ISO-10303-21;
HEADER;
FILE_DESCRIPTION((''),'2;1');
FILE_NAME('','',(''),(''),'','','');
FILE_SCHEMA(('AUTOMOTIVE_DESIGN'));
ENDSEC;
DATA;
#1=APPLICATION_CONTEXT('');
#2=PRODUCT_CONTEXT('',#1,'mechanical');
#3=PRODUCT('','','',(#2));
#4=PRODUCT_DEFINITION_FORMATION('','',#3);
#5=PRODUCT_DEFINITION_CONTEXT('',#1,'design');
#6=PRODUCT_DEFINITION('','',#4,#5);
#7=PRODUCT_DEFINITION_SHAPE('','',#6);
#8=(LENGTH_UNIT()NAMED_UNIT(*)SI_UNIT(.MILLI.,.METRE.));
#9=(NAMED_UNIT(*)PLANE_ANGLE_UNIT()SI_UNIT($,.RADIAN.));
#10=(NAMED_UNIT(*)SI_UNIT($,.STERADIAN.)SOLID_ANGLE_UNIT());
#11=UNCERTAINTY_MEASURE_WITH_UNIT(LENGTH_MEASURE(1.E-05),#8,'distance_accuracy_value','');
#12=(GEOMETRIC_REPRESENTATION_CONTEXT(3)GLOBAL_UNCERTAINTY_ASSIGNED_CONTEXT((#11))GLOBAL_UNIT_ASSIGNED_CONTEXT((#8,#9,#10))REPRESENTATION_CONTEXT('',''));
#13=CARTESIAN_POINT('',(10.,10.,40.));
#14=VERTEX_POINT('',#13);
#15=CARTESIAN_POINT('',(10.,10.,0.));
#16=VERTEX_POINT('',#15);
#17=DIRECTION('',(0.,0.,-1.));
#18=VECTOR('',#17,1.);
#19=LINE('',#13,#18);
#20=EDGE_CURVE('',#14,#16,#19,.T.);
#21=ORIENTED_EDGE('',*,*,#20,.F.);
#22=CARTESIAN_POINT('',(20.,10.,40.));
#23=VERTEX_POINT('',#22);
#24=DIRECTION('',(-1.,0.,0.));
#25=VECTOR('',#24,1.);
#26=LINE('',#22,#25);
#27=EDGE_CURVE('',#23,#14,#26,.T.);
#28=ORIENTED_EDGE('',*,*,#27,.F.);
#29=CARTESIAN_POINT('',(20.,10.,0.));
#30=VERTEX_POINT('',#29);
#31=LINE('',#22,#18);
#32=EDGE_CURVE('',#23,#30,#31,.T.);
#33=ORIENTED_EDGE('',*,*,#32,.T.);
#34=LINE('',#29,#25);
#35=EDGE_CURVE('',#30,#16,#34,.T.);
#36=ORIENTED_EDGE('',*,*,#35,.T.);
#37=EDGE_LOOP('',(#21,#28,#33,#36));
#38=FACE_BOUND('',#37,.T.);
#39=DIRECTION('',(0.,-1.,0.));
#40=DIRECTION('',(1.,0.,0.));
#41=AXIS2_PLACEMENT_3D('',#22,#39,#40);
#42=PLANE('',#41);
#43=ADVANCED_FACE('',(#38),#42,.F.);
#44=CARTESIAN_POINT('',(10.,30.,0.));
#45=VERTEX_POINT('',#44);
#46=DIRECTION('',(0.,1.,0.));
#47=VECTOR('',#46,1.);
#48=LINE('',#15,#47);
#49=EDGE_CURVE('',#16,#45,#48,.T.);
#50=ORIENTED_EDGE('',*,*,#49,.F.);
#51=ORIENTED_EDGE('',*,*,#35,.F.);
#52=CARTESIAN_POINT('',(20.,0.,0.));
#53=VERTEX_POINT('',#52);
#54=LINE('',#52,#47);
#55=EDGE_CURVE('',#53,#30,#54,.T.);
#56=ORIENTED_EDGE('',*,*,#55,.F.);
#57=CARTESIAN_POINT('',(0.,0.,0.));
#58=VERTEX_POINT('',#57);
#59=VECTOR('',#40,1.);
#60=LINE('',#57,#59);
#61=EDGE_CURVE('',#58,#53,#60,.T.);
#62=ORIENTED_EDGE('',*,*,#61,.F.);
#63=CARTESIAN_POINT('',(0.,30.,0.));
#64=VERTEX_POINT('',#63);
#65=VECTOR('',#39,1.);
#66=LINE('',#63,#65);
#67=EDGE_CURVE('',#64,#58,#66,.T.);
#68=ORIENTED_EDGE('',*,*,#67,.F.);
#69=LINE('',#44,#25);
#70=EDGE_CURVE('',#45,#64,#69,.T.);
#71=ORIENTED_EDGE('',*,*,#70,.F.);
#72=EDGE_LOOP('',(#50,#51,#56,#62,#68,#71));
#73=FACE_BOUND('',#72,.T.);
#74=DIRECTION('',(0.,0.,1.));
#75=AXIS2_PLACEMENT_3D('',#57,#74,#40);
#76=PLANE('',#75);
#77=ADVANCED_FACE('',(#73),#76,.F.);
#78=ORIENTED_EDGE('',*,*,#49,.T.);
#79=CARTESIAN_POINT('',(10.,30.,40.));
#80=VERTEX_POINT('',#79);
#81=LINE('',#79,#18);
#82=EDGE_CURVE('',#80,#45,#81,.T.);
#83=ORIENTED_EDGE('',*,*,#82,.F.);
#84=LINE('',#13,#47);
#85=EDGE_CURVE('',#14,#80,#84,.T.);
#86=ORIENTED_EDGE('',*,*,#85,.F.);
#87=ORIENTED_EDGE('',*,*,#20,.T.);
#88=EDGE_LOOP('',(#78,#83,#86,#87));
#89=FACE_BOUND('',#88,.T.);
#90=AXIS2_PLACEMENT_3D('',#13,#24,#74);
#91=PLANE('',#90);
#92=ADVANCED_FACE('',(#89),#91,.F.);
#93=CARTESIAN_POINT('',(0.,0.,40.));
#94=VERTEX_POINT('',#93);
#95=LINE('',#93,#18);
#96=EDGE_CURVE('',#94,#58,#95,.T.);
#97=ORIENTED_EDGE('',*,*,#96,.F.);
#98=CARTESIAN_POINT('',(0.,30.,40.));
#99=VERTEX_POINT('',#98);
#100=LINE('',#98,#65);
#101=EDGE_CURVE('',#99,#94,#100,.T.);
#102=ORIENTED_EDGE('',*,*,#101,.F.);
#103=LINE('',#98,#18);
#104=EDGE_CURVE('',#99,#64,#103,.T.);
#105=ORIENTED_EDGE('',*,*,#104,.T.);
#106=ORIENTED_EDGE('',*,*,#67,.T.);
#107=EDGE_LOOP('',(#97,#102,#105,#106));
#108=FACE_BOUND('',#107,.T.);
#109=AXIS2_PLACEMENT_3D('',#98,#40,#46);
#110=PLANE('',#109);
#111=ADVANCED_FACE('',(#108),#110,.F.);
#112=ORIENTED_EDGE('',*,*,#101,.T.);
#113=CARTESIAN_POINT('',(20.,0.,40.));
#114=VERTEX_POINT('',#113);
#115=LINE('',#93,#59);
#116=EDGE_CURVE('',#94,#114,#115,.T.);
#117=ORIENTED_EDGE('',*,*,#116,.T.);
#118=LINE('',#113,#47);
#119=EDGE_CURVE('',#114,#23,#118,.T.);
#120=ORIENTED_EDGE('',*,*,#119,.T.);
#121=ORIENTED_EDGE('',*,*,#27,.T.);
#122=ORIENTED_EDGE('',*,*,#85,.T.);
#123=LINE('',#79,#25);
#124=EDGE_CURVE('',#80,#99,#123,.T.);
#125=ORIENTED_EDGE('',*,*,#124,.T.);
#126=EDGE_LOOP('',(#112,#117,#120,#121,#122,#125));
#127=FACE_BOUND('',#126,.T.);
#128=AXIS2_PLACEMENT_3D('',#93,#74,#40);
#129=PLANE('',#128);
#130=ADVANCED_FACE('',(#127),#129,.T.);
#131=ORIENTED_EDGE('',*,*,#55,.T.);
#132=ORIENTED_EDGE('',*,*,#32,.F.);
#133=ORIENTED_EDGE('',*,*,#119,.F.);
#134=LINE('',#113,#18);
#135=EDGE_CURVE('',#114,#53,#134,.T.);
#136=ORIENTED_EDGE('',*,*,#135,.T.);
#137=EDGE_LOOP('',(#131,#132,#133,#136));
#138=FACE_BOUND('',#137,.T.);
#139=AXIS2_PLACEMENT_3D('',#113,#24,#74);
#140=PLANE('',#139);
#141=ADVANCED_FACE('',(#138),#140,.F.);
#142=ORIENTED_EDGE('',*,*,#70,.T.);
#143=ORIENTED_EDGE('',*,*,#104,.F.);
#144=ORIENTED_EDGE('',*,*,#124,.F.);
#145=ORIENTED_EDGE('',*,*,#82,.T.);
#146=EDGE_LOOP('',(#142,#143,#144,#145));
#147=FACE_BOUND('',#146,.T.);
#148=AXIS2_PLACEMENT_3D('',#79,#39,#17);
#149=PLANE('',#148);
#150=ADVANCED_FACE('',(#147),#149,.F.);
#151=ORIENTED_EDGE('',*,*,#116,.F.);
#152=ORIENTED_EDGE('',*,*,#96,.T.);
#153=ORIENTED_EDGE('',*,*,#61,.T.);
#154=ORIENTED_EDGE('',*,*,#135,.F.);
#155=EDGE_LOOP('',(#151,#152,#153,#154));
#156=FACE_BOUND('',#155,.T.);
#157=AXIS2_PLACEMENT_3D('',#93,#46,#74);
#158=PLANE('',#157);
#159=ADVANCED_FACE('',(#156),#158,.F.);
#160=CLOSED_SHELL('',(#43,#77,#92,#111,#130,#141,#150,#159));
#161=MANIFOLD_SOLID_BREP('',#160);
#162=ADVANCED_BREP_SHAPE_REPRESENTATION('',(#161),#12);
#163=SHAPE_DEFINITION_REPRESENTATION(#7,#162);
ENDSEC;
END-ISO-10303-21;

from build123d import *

# Parameters (mm, degrees)
L_BLOCK_DEPTH = 40


with BuildPart() as part:
    # Croquis1 → L block (new body)
    with BuildSketch(Plane.XY):
        Polygon((0, 0), (20, 0), (20, 10), (10, 10), (10, 30), (0, 30), align=None)
    extrude(amount=L_BLOCK_DEPTH)


solid = part.part
